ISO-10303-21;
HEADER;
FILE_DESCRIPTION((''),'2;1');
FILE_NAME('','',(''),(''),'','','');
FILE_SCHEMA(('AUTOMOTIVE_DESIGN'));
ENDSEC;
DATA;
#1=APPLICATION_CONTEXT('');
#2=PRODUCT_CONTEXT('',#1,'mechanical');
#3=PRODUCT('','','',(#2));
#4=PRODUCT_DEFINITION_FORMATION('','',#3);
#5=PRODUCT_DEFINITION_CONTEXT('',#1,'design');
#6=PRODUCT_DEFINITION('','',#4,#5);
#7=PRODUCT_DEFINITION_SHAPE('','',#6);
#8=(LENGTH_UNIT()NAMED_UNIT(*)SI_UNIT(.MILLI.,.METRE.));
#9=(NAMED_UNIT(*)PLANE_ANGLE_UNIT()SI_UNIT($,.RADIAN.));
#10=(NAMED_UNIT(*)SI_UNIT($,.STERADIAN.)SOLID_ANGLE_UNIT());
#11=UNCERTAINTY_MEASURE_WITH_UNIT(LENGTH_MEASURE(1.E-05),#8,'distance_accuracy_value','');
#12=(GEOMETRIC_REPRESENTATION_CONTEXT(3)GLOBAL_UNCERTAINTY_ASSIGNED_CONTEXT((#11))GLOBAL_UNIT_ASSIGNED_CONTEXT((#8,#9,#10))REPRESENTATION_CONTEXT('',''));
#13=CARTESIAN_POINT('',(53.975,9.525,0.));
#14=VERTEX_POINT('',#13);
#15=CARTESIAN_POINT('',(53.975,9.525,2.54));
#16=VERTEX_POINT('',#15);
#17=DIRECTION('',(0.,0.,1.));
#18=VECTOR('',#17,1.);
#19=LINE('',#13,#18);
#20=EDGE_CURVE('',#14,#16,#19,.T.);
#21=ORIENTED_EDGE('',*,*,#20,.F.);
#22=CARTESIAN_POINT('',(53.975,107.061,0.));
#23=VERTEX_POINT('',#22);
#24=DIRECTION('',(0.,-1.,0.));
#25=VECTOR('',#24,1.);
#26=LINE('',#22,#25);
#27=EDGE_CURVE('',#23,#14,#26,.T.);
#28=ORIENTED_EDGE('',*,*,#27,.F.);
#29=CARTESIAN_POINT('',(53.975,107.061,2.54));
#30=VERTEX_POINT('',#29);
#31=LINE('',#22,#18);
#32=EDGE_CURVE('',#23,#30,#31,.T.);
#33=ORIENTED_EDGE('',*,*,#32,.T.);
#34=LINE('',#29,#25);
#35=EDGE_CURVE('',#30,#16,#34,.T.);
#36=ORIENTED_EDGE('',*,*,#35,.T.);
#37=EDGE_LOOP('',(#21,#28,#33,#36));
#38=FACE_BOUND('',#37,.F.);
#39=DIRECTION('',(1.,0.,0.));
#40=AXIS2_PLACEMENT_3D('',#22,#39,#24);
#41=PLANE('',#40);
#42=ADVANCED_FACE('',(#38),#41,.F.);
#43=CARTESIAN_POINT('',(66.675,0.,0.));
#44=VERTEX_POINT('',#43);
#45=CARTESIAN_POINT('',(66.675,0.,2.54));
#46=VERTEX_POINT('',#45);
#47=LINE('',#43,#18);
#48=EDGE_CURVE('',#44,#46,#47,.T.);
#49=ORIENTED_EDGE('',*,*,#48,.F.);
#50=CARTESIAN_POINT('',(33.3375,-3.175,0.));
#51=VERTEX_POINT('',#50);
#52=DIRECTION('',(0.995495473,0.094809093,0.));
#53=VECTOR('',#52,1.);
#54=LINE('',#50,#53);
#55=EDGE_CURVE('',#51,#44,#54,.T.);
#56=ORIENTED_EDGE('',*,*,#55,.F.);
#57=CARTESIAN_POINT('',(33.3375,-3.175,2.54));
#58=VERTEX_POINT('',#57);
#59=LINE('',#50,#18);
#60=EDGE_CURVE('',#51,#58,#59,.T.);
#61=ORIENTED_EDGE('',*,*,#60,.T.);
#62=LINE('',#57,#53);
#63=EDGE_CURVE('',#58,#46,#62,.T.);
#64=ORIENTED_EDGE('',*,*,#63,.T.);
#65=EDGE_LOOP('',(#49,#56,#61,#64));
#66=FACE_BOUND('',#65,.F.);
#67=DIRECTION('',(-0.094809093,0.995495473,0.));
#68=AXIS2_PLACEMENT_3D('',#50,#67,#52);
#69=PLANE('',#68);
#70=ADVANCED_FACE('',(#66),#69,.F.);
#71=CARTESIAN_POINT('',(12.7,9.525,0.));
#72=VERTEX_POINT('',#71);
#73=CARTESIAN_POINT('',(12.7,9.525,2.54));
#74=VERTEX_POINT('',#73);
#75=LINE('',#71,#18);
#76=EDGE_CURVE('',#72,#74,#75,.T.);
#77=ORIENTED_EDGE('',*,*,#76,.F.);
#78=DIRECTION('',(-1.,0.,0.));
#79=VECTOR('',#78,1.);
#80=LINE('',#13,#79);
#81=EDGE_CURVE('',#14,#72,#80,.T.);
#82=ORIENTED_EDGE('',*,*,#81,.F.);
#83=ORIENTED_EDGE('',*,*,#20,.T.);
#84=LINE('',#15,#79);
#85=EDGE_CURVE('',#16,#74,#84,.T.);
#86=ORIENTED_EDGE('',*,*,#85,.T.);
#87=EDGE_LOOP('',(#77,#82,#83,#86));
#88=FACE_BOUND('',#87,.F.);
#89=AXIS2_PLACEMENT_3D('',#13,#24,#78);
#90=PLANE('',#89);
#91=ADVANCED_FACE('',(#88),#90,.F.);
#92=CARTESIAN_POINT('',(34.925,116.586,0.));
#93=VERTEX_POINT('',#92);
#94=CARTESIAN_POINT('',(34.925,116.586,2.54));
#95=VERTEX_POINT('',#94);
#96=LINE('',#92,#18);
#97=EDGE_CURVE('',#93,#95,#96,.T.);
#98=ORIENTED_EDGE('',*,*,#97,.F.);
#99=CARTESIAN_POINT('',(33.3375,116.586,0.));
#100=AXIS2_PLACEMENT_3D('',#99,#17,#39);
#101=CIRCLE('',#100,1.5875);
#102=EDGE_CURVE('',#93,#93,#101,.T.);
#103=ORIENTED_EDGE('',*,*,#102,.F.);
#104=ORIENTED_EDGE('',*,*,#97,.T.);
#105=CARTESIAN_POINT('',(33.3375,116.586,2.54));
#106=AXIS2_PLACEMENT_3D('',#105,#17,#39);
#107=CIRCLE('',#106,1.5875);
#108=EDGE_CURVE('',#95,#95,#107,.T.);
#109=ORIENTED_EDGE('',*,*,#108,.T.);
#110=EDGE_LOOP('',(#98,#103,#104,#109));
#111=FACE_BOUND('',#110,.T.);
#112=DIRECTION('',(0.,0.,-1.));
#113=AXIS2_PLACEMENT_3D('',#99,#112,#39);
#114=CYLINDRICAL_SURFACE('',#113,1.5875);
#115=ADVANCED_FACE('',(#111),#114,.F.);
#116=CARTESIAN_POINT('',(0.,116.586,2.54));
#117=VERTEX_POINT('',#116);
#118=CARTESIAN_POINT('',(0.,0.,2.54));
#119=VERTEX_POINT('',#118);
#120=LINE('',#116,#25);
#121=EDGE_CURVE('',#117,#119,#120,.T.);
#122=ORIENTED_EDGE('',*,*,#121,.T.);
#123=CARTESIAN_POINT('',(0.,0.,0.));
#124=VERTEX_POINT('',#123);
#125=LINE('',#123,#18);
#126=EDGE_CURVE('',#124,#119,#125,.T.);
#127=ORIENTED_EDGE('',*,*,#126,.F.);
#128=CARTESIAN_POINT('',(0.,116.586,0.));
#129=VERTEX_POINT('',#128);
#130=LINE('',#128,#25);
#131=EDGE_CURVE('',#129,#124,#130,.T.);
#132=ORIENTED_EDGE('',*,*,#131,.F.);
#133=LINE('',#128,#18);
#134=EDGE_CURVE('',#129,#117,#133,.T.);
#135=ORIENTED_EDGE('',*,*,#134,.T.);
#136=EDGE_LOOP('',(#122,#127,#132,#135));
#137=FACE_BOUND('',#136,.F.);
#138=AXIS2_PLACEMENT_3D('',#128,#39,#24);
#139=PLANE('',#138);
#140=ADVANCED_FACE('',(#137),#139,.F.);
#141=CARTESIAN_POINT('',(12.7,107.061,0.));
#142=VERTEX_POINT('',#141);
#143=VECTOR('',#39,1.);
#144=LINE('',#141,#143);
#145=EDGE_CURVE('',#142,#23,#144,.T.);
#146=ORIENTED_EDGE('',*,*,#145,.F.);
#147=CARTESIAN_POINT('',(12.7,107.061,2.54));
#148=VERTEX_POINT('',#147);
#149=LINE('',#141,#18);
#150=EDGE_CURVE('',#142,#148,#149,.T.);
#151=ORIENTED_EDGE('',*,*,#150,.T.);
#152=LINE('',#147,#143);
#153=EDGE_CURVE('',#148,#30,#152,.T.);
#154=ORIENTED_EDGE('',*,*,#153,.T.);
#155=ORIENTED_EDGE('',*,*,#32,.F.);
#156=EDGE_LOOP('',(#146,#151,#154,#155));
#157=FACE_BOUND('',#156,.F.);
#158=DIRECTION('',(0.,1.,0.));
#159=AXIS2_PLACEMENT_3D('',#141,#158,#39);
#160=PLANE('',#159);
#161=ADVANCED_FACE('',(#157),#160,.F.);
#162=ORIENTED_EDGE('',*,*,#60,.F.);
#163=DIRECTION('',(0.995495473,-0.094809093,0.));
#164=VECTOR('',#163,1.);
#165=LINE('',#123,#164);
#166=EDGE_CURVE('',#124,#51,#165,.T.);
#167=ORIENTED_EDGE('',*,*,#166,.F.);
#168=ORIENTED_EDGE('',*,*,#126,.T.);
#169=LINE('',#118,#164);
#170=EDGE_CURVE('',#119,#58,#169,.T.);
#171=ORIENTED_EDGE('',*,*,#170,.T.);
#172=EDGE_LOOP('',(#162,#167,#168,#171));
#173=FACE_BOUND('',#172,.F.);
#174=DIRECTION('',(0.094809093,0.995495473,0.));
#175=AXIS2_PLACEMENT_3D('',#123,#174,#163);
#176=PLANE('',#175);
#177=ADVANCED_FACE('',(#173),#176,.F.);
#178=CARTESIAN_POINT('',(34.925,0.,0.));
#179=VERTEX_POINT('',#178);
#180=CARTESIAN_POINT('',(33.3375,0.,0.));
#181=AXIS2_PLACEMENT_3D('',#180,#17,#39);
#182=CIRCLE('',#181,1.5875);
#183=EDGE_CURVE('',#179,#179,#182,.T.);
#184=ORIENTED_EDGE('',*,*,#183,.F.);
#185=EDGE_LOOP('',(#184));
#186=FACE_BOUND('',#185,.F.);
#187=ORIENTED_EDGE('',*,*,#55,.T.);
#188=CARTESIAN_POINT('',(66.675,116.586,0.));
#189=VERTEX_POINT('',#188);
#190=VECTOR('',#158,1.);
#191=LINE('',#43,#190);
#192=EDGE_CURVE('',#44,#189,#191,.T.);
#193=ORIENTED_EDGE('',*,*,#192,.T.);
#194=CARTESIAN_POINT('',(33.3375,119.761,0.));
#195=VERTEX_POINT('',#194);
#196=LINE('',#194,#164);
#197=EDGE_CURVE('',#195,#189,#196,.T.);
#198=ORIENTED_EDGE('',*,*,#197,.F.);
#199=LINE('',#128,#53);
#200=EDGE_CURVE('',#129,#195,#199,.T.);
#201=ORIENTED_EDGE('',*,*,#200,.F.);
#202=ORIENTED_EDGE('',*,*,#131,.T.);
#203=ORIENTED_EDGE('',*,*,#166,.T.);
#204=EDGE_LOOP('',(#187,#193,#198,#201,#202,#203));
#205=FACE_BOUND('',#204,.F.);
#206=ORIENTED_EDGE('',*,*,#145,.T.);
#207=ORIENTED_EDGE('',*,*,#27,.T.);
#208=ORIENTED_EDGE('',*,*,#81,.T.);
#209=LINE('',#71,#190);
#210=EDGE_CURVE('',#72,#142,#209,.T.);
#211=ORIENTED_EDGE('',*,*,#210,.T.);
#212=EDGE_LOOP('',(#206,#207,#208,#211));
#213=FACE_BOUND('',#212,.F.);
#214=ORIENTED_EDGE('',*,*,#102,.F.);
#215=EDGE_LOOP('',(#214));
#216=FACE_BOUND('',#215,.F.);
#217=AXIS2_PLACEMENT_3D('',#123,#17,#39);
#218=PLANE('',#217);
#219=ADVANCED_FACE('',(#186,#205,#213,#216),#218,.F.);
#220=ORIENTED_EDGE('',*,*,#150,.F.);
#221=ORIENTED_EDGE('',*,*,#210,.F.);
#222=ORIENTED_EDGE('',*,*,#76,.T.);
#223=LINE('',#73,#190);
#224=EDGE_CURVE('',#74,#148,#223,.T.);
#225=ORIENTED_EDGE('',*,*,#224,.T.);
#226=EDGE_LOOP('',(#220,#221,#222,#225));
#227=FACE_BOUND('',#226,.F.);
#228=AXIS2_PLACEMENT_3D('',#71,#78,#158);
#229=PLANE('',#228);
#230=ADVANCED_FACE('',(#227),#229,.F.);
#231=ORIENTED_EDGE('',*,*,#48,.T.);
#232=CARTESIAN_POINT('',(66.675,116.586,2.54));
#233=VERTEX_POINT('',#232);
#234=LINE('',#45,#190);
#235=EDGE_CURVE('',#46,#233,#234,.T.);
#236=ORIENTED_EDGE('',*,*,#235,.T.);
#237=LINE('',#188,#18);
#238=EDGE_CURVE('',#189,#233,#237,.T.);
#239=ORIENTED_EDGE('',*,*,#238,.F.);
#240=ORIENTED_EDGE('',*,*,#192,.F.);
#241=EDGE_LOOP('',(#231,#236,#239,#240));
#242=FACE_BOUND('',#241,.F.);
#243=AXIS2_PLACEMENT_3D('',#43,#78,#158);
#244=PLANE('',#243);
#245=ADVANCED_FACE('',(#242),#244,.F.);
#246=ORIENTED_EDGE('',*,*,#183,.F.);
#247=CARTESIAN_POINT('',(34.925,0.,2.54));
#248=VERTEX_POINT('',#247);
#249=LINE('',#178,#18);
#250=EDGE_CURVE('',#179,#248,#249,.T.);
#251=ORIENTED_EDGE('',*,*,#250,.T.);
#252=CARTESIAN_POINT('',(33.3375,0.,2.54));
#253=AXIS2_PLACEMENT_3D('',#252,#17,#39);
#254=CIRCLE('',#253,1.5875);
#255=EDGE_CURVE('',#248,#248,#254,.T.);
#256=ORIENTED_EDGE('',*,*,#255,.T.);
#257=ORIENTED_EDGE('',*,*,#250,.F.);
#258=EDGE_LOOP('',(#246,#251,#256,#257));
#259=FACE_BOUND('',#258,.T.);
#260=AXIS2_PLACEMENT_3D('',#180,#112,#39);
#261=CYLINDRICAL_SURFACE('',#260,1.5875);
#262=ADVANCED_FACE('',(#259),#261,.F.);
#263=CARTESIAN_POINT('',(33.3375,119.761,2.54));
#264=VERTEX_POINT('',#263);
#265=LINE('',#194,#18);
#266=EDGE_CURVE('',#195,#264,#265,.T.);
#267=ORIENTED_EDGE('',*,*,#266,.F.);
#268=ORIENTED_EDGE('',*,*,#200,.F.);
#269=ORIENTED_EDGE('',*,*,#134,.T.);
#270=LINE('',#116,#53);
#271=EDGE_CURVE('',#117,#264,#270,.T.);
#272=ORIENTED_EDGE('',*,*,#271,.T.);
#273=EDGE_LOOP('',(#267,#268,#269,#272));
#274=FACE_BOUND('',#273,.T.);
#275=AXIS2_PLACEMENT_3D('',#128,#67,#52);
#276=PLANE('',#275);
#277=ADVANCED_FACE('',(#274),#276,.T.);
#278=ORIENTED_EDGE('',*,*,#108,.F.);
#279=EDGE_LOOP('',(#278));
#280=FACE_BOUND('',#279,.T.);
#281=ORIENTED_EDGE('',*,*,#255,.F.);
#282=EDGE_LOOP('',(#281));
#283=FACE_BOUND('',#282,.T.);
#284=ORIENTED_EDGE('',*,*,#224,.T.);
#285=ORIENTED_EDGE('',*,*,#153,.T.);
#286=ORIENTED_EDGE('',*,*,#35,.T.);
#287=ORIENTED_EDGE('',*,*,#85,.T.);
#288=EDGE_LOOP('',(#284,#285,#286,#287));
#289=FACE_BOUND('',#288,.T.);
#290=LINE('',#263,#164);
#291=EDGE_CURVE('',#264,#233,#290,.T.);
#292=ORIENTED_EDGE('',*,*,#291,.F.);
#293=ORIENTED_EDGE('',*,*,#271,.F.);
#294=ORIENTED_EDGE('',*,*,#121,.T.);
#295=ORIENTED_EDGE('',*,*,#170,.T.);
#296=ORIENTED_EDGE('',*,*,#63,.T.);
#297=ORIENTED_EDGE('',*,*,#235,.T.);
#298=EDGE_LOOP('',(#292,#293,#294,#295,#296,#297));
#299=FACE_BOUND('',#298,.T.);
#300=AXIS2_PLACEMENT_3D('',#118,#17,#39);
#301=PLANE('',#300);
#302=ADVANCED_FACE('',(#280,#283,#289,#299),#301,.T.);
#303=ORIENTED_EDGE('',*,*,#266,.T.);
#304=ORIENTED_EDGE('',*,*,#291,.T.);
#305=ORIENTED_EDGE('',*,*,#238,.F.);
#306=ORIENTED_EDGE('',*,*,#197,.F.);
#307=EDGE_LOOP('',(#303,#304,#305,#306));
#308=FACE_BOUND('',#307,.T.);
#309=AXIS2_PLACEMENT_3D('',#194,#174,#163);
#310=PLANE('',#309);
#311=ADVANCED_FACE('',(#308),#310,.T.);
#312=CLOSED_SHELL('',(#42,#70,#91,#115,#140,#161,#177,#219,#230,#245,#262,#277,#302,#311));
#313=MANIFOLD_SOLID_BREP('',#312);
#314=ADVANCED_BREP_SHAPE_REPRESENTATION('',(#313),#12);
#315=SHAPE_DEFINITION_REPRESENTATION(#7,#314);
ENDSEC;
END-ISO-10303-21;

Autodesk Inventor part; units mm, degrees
ref_plane "YZ Plane" through (0, 0, 0) normal (1, 0, 0) x (0, 1, 0)
ref_plane "XZ Plane" through (0, 0, 0) normal (0, 1, 0) x (-1, 0, 0)
ref_plane "XY Plane" through (0, 0, 0) normal (0, 0, 1) x (1, 0, 0)
sketch "Sketch1" plane through (0, 0, 0) normal (0, 0, 1) x (1, 0, 0)
  line L0 (66.675, 0) -> (66.675, 116.586)
  line L1 (0, 116.586) -> (0, 0)
  line L2 (12.7, 107.061) -> (53.975, 107.061)
  line L3 (53.975, 107.061) -> (53.975, 9.525)
  line L4 (53.975, 9.525) -> (12.7, 9.525)
  line L5 (12.7, 9.525) -> (12.7, 107.061)
  circle A0 centre (33.3375, 116.586) radius 1.5875
  circle A1 centre (33.3375, 0) radius 1.5875
  line L6 (0, 0) -> (33.3375, -3.175)
  line L7 (33.3375, -3.175) -> (66.675, 0)
  line L8 (0, 116.586) -> (33.3375, 119.761)
  line L9 (33.3375, 119.761) -> (66.675, 116.586)
  dimension "d2" = 12.7
  dimension "d5" = 66.675
  dimension "d6" = 116.586
  dimension "d9" = 9.525
  dimension "d12" = 9.525
extrude "Extrusion1" add sketch "Sketch1" along normal blind 2.54
properties part number "B layer cap"
